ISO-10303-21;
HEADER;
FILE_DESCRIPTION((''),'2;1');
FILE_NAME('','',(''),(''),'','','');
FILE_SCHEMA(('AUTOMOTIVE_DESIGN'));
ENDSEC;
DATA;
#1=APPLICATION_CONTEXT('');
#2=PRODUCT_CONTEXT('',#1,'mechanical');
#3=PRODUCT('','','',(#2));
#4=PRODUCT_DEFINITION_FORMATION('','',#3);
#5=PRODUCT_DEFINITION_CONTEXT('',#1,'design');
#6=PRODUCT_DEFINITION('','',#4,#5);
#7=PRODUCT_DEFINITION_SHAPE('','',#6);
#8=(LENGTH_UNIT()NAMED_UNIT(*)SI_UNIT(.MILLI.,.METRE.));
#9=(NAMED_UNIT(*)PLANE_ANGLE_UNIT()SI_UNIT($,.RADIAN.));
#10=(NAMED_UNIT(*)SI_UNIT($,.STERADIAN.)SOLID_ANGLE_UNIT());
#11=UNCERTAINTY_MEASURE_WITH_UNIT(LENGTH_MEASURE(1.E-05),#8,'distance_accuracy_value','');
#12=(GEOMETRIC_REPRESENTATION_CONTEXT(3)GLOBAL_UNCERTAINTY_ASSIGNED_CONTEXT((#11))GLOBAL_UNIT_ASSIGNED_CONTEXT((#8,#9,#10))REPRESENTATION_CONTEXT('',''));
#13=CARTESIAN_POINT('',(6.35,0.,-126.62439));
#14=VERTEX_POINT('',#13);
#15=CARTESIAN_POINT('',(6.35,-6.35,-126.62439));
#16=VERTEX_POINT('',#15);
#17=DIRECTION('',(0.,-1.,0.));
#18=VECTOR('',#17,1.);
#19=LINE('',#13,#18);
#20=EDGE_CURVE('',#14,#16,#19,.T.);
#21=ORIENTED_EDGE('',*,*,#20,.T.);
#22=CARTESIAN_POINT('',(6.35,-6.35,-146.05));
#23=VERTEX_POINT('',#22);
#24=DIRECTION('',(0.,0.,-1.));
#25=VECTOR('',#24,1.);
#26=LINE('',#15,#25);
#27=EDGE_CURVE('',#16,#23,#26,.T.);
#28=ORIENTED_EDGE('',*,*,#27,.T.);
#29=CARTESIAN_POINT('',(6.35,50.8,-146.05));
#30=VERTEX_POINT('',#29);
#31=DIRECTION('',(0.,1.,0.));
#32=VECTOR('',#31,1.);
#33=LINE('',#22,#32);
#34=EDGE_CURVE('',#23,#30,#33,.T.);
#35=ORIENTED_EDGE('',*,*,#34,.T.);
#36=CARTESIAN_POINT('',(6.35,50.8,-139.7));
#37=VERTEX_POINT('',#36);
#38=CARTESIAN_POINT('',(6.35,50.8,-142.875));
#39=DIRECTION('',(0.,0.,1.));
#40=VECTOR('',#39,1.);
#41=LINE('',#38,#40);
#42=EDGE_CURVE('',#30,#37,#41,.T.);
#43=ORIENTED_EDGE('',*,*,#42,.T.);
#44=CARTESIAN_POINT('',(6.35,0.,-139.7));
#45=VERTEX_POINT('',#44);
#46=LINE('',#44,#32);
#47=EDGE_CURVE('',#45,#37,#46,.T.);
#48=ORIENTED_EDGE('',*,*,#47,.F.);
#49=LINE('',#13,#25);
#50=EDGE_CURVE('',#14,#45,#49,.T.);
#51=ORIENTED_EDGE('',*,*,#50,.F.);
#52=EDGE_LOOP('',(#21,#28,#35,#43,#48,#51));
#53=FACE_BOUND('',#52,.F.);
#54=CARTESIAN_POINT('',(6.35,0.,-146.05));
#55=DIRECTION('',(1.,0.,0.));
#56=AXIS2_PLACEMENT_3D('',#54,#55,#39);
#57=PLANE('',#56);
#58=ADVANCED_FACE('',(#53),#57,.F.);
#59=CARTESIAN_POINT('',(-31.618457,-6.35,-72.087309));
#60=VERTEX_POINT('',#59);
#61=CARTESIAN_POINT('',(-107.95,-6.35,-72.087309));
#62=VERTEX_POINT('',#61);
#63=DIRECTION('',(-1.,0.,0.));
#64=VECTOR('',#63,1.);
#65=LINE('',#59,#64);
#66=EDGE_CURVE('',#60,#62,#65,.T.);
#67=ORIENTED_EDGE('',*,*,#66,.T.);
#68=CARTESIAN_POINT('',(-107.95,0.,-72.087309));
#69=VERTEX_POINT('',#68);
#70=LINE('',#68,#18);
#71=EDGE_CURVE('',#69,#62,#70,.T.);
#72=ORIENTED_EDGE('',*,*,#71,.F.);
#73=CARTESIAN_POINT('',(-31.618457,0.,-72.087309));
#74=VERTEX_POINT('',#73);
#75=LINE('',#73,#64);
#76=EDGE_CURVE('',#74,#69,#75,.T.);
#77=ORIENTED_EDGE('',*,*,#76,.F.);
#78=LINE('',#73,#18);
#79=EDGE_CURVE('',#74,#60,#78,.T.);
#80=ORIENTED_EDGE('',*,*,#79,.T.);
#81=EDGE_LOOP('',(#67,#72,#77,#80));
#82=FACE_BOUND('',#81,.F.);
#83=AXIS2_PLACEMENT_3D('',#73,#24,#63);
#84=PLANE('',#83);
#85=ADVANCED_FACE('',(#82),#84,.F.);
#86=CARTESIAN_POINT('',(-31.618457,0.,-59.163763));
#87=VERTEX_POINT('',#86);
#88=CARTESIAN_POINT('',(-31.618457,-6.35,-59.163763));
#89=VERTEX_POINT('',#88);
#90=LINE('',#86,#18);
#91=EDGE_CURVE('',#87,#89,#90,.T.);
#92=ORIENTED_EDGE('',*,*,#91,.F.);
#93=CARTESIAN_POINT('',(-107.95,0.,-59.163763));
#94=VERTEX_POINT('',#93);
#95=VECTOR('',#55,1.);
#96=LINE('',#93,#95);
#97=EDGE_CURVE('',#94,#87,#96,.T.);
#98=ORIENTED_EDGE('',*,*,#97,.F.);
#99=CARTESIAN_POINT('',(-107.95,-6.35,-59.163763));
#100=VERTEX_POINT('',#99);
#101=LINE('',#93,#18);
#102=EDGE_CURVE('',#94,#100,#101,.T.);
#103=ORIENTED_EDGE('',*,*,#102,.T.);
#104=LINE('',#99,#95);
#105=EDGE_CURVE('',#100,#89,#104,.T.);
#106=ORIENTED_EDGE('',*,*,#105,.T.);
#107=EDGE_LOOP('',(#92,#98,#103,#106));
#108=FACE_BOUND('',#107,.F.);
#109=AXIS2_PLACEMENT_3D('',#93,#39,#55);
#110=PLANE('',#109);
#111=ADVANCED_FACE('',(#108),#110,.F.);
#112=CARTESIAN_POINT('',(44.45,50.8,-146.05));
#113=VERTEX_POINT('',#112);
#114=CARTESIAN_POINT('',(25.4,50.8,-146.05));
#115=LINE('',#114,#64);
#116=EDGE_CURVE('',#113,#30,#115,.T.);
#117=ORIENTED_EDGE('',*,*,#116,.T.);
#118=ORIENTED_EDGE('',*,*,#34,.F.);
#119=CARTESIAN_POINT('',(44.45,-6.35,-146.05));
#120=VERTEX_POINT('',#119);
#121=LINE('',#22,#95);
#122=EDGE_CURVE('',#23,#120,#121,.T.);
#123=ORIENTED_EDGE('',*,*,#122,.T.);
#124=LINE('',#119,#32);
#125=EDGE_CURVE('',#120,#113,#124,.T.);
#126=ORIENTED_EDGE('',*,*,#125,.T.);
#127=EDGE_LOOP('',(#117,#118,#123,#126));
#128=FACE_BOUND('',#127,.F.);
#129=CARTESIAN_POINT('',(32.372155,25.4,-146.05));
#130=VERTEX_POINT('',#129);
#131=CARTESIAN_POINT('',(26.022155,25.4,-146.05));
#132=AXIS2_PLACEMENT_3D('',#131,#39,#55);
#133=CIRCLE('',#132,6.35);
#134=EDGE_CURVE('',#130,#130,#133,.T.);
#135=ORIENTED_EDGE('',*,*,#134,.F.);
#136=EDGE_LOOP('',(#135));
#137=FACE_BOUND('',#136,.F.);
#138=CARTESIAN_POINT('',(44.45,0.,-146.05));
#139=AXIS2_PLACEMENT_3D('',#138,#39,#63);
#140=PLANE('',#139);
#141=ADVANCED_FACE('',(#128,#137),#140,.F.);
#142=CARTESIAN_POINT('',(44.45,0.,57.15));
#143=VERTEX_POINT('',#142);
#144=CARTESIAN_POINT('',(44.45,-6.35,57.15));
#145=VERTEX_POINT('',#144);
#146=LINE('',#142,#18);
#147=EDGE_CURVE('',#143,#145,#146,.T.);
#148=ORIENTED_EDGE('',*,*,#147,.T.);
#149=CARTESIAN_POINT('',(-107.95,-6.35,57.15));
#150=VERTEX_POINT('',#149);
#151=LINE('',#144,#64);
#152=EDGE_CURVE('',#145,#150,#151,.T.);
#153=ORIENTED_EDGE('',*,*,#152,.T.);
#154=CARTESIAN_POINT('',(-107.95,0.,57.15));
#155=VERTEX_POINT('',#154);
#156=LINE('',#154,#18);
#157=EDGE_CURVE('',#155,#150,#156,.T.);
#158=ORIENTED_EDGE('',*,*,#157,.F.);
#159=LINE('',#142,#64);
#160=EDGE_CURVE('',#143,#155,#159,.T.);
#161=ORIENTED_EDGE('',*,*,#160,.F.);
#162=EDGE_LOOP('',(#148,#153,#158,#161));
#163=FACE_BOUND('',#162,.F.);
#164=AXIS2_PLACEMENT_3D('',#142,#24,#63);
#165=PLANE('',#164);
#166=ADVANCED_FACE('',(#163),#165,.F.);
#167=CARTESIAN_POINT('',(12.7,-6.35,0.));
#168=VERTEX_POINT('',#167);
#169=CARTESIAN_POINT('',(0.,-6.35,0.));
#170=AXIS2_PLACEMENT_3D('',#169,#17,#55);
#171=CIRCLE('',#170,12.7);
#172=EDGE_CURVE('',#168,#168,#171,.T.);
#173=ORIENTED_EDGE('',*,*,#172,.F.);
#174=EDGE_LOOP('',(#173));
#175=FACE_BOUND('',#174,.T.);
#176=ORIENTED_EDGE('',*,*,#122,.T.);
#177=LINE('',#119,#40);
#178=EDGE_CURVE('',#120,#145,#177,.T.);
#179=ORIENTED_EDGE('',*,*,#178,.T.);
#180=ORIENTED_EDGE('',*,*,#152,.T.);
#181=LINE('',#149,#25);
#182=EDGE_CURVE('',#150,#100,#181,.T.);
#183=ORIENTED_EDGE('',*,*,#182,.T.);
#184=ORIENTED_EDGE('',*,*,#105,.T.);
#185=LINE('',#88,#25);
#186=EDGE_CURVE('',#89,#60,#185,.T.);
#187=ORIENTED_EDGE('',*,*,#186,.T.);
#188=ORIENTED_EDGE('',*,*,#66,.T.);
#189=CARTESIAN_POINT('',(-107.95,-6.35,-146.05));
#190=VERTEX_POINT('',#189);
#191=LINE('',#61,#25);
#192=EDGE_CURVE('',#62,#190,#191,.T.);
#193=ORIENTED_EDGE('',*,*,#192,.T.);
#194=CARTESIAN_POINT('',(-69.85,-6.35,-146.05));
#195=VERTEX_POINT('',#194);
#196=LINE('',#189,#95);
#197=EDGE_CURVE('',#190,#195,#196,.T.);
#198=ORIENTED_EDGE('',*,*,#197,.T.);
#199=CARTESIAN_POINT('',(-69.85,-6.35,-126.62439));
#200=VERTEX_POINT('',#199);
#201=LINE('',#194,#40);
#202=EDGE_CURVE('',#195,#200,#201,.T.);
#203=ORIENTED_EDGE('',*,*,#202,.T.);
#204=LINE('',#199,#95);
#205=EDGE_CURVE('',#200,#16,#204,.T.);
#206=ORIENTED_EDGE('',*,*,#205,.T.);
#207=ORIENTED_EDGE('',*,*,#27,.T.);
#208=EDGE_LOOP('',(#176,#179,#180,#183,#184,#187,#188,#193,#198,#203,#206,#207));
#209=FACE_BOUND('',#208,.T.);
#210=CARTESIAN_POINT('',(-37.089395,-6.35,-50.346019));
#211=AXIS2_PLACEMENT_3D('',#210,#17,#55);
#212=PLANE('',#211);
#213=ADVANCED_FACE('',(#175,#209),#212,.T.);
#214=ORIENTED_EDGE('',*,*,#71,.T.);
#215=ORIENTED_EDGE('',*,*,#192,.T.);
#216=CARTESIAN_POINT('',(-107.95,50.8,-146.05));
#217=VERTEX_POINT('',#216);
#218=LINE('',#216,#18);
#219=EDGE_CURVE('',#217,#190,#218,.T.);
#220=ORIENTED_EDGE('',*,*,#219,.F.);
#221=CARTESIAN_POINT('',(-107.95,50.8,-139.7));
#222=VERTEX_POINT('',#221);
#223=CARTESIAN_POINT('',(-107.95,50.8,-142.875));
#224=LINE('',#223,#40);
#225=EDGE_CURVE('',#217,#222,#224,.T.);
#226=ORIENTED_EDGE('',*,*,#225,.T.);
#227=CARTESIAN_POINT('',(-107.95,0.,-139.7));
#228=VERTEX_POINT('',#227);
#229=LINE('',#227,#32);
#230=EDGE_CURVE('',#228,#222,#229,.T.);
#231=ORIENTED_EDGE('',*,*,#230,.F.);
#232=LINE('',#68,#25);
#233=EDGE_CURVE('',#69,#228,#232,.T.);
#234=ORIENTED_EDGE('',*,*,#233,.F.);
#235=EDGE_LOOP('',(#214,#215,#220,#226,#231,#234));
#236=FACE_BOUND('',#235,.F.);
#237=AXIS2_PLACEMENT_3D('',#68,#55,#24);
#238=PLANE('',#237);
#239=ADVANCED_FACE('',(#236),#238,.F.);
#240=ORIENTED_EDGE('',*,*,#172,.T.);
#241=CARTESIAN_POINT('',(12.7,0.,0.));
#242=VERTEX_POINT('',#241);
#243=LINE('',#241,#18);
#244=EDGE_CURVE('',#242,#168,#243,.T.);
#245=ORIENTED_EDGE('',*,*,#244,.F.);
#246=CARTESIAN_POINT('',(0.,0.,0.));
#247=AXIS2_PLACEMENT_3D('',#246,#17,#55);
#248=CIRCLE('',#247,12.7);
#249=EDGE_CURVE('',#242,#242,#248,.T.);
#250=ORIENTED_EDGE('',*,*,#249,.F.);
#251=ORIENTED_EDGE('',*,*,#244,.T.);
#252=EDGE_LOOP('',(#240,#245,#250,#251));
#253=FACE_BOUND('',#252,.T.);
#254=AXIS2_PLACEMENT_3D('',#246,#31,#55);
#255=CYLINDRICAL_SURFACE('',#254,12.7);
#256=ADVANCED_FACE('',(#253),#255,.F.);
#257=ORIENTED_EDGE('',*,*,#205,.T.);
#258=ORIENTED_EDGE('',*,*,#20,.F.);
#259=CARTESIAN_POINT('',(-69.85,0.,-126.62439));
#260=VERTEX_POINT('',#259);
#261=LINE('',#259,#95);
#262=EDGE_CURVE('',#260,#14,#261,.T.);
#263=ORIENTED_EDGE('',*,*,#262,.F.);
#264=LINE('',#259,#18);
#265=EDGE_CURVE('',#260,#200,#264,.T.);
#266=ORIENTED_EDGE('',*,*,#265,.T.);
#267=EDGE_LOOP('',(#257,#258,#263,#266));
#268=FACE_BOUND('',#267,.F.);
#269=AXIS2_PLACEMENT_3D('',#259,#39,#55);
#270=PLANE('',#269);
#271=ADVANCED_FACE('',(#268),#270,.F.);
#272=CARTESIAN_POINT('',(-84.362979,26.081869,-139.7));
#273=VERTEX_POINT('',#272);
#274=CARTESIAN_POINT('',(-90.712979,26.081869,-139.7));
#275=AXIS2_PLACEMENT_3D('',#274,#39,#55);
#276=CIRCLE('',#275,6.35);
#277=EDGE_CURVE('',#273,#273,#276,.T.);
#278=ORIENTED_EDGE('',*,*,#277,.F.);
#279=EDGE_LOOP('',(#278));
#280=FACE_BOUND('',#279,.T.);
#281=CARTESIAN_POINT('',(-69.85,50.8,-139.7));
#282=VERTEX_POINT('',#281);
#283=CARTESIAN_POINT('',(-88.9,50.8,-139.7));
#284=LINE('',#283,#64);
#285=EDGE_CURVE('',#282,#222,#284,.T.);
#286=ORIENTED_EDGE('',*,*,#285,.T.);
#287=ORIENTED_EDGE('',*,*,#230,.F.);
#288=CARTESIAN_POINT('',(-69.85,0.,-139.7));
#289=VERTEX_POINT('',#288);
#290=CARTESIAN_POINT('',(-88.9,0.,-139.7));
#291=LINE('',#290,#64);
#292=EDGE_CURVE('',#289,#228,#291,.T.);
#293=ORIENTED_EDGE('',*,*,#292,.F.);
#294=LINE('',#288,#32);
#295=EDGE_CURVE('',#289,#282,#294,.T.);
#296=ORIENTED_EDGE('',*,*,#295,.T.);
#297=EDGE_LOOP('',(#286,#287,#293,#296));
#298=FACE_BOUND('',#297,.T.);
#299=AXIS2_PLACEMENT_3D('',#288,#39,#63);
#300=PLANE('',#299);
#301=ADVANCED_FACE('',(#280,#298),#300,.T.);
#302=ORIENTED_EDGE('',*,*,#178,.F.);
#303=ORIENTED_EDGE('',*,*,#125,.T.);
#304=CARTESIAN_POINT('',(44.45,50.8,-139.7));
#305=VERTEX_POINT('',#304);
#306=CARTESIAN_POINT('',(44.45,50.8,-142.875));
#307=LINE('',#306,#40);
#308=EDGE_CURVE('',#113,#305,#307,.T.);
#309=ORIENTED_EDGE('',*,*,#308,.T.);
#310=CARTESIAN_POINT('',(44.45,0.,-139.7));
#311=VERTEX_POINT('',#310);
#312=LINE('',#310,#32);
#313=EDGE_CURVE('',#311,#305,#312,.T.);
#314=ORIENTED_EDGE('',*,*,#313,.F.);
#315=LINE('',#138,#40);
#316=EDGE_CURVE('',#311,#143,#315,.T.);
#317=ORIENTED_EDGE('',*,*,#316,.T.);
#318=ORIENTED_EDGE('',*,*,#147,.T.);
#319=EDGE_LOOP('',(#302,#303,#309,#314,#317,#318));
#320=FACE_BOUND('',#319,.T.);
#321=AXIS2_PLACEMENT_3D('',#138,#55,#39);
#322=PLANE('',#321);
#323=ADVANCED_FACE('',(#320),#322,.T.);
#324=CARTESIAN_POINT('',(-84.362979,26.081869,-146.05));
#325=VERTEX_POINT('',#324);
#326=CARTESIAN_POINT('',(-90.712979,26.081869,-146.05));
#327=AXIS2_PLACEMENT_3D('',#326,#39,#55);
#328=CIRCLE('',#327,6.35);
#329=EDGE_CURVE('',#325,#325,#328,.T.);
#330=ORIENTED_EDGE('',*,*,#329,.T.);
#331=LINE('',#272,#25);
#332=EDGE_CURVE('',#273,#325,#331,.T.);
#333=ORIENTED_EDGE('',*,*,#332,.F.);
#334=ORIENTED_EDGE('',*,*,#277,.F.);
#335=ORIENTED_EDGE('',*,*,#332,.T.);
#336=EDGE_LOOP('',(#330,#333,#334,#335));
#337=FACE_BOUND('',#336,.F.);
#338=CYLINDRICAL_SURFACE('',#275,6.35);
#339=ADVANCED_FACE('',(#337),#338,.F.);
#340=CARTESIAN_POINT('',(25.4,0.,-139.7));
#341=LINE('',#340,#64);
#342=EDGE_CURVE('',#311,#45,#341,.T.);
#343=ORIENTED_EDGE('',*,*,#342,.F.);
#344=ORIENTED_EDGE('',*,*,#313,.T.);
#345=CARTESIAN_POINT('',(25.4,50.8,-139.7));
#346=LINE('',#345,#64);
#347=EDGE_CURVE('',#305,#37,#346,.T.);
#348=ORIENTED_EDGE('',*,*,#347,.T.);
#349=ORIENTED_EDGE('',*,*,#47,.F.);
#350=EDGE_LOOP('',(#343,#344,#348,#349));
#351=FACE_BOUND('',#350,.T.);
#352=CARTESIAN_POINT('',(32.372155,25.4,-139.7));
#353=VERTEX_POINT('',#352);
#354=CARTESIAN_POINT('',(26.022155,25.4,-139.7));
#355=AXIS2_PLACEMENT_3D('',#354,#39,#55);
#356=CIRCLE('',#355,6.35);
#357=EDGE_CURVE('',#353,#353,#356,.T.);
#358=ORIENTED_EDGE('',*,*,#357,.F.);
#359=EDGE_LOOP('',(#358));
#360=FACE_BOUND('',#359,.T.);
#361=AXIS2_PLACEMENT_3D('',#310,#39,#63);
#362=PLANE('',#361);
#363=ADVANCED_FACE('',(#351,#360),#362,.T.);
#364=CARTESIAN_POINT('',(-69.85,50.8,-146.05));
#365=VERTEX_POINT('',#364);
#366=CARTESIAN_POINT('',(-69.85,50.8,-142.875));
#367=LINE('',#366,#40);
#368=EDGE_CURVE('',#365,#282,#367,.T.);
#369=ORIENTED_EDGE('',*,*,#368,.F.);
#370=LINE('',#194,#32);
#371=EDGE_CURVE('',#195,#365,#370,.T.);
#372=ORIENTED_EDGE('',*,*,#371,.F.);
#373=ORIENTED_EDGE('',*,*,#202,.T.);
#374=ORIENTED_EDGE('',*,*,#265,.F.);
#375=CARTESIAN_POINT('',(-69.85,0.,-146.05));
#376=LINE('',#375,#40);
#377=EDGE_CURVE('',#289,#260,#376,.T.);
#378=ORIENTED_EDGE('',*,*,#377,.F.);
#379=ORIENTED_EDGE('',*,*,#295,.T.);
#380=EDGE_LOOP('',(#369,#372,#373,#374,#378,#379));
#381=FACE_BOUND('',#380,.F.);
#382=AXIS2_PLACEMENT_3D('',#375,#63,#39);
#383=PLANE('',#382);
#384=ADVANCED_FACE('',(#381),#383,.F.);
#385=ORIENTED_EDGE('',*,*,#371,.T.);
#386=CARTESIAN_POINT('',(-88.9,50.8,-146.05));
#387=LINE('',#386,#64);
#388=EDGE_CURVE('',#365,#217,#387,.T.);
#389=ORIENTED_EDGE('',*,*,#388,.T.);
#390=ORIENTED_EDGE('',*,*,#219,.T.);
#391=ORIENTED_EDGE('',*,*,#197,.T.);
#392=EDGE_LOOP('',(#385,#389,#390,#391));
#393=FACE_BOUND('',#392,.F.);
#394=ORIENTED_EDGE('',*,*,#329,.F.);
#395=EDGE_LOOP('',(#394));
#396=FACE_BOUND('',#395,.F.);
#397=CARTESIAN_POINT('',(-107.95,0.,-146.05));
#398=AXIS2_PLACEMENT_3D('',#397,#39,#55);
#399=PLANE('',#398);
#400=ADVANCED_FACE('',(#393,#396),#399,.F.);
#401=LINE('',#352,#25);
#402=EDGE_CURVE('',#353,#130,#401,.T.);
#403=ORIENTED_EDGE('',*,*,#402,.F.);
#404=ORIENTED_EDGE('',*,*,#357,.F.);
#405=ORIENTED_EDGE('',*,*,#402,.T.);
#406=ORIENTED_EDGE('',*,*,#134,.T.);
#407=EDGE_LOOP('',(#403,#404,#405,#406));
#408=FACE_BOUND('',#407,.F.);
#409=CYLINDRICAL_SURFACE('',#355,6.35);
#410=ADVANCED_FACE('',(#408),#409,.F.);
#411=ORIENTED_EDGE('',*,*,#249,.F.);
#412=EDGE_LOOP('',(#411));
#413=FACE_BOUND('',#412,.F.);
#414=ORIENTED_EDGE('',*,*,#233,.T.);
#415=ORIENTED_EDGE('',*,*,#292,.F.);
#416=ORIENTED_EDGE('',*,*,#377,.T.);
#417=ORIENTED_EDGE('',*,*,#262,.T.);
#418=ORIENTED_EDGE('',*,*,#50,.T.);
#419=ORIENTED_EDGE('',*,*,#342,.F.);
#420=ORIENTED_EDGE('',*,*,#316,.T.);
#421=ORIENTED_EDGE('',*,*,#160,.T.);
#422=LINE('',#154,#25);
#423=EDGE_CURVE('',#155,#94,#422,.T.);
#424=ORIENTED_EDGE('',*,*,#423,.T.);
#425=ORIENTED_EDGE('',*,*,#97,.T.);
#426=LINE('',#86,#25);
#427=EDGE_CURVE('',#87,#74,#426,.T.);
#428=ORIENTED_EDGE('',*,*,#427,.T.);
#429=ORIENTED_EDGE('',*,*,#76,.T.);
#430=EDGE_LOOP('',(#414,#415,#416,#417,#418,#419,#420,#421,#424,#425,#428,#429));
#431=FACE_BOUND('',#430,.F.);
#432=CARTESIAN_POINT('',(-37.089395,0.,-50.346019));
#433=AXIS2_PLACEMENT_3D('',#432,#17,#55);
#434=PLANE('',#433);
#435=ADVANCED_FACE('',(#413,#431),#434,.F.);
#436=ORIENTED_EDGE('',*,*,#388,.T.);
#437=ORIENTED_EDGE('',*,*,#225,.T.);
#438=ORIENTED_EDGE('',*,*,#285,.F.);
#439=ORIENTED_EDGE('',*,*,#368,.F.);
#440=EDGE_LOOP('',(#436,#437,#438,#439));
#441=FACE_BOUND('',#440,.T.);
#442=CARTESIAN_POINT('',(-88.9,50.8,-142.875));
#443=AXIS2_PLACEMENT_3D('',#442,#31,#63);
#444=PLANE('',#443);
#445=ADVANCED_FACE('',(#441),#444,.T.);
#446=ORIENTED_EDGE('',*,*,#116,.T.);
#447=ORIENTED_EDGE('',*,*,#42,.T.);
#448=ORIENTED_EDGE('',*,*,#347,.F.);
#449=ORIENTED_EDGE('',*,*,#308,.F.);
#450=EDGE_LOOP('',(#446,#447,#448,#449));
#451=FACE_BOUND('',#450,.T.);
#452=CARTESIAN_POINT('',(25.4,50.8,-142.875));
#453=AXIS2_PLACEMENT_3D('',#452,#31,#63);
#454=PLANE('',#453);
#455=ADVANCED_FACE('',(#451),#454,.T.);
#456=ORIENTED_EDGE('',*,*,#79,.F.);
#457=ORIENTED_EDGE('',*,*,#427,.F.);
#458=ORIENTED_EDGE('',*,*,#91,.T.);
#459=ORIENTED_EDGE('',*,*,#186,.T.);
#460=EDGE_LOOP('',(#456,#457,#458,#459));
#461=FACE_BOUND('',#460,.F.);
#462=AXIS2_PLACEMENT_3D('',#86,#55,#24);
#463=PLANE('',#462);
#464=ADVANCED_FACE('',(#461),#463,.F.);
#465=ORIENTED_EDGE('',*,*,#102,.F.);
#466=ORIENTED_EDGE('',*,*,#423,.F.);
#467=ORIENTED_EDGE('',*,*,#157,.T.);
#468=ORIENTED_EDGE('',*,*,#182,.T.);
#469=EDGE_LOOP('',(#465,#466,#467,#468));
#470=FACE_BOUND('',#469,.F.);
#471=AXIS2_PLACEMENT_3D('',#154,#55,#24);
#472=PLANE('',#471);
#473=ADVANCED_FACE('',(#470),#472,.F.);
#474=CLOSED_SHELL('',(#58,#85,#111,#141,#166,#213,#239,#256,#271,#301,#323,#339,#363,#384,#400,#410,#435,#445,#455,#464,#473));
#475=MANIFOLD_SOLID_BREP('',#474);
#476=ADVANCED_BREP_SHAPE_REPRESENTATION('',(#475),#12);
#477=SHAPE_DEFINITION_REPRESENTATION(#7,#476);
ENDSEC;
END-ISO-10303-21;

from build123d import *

# Parameters (mm, degrees)
F0_R     = 12.7
F1_DEPTH = 6.35
F2_W     = 38.1
F2_H     = 6.35
F3_DEPTH = 50.8
F4_R     = 6.35
F5_DEPTH = 25.4


with BuildPart() as f1:
    # F0 (on Front) → F1 (new body)
    with BuildSketch(Plane.XZ):
        Polygon((44.45, 57.15), (-107.95, 57.15), (-107.95, -59.163763), (-31.618457, -59.163763), (-31.618457, -72.087309), (-107.95, -72.087309), (-107.95, -146.05), (-69.85, -146.05), (-69.85, -126.62439), (6.35, -126.62439), (6.35, -146.05), (44.45, -146.05), align=None)
        Circle(F0_R, mode=Mode.SUBTRACT)
    extrude(amount=F1_DEPTH)

    # F2 (on face) → F3 (join)
    with BuildSketch(Plane(origin=(0, 0, 0), x_dir=(-1, 0, 0), z_dir=(0, 1, 0))):
        with Locations((-25.4, -142.875)):
            Rectangle(F2_W, F2_H)
        with Locations((88.9, -142.875)):
            Rectangle(F2_W, F2_H)
    extrude(amount=F3_DEPTH)

    # F4 (on face) → F5 (cut)
    with BuildSketch(Plane.XY.offset(-139.7)):
        with Locations((26.022155, 25.4)):
            Circle(F4_R)
        with Locations((-90.712979, 26.081869)):
            Circle(F4_R)
    extrude(amount=-F5_DEPTH, mode=Mode.SUBTRACT)


solid = f1.part
